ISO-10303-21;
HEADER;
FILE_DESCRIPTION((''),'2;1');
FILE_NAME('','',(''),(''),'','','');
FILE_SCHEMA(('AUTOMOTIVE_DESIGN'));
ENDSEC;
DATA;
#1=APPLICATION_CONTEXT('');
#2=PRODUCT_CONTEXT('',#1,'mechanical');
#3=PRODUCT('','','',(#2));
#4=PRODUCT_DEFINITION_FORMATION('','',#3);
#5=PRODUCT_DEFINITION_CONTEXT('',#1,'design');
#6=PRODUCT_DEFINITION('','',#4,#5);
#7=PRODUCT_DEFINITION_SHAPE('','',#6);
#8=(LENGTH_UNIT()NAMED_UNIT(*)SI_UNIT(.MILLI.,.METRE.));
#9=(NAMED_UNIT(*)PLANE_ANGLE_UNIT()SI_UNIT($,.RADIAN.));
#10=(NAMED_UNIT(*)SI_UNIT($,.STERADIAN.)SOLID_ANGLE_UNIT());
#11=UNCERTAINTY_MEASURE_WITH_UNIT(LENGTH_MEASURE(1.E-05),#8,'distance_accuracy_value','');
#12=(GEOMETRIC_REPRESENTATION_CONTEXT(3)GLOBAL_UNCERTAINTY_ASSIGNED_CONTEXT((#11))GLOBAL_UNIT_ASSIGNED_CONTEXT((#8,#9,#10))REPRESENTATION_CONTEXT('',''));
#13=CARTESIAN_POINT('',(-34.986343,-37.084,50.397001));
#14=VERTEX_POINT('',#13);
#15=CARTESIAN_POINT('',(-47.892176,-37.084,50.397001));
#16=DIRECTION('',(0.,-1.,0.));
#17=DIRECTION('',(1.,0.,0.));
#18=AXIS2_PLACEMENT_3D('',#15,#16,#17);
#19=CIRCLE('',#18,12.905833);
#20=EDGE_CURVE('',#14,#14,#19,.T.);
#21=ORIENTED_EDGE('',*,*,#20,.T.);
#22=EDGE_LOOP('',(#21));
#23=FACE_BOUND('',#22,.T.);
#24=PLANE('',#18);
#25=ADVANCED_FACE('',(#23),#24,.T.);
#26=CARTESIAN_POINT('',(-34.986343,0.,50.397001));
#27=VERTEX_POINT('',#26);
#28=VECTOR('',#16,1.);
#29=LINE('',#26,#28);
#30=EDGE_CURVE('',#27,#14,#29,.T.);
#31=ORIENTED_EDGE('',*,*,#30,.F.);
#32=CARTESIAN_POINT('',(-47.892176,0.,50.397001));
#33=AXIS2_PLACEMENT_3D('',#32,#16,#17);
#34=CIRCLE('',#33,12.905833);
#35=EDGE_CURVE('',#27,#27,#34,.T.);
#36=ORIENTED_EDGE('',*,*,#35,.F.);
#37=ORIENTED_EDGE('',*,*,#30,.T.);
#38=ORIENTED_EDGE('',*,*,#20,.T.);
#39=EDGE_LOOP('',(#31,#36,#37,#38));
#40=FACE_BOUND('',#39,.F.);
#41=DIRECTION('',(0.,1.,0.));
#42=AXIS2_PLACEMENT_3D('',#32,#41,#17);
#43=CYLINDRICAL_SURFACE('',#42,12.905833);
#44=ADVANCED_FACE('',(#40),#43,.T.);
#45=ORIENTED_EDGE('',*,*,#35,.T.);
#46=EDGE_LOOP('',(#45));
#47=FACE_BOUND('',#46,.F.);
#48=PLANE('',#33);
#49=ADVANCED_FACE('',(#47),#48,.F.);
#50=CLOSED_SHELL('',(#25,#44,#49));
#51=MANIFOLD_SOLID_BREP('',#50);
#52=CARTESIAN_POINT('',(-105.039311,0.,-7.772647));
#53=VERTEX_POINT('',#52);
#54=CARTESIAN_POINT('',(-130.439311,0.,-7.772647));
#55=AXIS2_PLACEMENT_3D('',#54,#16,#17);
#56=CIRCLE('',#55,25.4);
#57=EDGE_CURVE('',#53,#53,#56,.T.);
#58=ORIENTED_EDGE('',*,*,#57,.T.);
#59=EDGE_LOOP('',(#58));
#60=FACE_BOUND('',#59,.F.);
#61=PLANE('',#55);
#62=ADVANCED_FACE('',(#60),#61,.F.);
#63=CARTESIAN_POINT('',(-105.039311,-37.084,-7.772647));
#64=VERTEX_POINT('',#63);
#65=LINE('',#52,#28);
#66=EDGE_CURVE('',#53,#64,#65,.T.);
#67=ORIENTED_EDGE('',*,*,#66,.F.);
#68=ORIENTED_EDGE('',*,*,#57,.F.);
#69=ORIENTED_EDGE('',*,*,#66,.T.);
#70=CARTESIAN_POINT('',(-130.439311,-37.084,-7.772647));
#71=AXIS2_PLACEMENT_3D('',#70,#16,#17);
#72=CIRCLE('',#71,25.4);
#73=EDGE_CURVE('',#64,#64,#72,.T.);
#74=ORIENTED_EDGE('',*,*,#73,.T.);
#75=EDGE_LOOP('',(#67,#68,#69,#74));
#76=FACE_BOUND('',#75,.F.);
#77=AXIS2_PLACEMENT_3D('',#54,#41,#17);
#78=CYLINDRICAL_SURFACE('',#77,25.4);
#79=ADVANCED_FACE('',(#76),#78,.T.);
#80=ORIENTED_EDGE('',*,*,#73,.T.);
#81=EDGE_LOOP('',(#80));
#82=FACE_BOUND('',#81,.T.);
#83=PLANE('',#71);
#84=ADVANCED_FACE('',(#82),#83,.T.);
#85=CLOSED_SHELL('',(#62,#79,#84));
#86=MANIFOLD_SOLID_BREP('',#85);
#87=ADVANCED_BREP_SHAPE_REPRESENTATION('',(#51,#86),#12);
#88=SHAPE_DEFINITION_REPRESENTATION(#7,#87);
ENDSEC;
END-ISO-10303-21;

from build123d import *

# Parameters (mm, degrees)
F1_R     = 25.4
F0_R     = 12.905833
F2_DEPTH = 37.084


with BuildPart() as f2:
    # F1 (on Front) + F0 (on Front) → F2 (new body)
    with BuildSketch(Plane.XZ):
        with Locations((-130.439311, -7.772647)):
            Circle(F1_R)
    with BuildSketch(Plane.XZ):
        with Locations((-47.892176, 50.397001)):
            Circle(F0_R)
    extrude(amount=F2_DEPTH)


solid = f2.part
